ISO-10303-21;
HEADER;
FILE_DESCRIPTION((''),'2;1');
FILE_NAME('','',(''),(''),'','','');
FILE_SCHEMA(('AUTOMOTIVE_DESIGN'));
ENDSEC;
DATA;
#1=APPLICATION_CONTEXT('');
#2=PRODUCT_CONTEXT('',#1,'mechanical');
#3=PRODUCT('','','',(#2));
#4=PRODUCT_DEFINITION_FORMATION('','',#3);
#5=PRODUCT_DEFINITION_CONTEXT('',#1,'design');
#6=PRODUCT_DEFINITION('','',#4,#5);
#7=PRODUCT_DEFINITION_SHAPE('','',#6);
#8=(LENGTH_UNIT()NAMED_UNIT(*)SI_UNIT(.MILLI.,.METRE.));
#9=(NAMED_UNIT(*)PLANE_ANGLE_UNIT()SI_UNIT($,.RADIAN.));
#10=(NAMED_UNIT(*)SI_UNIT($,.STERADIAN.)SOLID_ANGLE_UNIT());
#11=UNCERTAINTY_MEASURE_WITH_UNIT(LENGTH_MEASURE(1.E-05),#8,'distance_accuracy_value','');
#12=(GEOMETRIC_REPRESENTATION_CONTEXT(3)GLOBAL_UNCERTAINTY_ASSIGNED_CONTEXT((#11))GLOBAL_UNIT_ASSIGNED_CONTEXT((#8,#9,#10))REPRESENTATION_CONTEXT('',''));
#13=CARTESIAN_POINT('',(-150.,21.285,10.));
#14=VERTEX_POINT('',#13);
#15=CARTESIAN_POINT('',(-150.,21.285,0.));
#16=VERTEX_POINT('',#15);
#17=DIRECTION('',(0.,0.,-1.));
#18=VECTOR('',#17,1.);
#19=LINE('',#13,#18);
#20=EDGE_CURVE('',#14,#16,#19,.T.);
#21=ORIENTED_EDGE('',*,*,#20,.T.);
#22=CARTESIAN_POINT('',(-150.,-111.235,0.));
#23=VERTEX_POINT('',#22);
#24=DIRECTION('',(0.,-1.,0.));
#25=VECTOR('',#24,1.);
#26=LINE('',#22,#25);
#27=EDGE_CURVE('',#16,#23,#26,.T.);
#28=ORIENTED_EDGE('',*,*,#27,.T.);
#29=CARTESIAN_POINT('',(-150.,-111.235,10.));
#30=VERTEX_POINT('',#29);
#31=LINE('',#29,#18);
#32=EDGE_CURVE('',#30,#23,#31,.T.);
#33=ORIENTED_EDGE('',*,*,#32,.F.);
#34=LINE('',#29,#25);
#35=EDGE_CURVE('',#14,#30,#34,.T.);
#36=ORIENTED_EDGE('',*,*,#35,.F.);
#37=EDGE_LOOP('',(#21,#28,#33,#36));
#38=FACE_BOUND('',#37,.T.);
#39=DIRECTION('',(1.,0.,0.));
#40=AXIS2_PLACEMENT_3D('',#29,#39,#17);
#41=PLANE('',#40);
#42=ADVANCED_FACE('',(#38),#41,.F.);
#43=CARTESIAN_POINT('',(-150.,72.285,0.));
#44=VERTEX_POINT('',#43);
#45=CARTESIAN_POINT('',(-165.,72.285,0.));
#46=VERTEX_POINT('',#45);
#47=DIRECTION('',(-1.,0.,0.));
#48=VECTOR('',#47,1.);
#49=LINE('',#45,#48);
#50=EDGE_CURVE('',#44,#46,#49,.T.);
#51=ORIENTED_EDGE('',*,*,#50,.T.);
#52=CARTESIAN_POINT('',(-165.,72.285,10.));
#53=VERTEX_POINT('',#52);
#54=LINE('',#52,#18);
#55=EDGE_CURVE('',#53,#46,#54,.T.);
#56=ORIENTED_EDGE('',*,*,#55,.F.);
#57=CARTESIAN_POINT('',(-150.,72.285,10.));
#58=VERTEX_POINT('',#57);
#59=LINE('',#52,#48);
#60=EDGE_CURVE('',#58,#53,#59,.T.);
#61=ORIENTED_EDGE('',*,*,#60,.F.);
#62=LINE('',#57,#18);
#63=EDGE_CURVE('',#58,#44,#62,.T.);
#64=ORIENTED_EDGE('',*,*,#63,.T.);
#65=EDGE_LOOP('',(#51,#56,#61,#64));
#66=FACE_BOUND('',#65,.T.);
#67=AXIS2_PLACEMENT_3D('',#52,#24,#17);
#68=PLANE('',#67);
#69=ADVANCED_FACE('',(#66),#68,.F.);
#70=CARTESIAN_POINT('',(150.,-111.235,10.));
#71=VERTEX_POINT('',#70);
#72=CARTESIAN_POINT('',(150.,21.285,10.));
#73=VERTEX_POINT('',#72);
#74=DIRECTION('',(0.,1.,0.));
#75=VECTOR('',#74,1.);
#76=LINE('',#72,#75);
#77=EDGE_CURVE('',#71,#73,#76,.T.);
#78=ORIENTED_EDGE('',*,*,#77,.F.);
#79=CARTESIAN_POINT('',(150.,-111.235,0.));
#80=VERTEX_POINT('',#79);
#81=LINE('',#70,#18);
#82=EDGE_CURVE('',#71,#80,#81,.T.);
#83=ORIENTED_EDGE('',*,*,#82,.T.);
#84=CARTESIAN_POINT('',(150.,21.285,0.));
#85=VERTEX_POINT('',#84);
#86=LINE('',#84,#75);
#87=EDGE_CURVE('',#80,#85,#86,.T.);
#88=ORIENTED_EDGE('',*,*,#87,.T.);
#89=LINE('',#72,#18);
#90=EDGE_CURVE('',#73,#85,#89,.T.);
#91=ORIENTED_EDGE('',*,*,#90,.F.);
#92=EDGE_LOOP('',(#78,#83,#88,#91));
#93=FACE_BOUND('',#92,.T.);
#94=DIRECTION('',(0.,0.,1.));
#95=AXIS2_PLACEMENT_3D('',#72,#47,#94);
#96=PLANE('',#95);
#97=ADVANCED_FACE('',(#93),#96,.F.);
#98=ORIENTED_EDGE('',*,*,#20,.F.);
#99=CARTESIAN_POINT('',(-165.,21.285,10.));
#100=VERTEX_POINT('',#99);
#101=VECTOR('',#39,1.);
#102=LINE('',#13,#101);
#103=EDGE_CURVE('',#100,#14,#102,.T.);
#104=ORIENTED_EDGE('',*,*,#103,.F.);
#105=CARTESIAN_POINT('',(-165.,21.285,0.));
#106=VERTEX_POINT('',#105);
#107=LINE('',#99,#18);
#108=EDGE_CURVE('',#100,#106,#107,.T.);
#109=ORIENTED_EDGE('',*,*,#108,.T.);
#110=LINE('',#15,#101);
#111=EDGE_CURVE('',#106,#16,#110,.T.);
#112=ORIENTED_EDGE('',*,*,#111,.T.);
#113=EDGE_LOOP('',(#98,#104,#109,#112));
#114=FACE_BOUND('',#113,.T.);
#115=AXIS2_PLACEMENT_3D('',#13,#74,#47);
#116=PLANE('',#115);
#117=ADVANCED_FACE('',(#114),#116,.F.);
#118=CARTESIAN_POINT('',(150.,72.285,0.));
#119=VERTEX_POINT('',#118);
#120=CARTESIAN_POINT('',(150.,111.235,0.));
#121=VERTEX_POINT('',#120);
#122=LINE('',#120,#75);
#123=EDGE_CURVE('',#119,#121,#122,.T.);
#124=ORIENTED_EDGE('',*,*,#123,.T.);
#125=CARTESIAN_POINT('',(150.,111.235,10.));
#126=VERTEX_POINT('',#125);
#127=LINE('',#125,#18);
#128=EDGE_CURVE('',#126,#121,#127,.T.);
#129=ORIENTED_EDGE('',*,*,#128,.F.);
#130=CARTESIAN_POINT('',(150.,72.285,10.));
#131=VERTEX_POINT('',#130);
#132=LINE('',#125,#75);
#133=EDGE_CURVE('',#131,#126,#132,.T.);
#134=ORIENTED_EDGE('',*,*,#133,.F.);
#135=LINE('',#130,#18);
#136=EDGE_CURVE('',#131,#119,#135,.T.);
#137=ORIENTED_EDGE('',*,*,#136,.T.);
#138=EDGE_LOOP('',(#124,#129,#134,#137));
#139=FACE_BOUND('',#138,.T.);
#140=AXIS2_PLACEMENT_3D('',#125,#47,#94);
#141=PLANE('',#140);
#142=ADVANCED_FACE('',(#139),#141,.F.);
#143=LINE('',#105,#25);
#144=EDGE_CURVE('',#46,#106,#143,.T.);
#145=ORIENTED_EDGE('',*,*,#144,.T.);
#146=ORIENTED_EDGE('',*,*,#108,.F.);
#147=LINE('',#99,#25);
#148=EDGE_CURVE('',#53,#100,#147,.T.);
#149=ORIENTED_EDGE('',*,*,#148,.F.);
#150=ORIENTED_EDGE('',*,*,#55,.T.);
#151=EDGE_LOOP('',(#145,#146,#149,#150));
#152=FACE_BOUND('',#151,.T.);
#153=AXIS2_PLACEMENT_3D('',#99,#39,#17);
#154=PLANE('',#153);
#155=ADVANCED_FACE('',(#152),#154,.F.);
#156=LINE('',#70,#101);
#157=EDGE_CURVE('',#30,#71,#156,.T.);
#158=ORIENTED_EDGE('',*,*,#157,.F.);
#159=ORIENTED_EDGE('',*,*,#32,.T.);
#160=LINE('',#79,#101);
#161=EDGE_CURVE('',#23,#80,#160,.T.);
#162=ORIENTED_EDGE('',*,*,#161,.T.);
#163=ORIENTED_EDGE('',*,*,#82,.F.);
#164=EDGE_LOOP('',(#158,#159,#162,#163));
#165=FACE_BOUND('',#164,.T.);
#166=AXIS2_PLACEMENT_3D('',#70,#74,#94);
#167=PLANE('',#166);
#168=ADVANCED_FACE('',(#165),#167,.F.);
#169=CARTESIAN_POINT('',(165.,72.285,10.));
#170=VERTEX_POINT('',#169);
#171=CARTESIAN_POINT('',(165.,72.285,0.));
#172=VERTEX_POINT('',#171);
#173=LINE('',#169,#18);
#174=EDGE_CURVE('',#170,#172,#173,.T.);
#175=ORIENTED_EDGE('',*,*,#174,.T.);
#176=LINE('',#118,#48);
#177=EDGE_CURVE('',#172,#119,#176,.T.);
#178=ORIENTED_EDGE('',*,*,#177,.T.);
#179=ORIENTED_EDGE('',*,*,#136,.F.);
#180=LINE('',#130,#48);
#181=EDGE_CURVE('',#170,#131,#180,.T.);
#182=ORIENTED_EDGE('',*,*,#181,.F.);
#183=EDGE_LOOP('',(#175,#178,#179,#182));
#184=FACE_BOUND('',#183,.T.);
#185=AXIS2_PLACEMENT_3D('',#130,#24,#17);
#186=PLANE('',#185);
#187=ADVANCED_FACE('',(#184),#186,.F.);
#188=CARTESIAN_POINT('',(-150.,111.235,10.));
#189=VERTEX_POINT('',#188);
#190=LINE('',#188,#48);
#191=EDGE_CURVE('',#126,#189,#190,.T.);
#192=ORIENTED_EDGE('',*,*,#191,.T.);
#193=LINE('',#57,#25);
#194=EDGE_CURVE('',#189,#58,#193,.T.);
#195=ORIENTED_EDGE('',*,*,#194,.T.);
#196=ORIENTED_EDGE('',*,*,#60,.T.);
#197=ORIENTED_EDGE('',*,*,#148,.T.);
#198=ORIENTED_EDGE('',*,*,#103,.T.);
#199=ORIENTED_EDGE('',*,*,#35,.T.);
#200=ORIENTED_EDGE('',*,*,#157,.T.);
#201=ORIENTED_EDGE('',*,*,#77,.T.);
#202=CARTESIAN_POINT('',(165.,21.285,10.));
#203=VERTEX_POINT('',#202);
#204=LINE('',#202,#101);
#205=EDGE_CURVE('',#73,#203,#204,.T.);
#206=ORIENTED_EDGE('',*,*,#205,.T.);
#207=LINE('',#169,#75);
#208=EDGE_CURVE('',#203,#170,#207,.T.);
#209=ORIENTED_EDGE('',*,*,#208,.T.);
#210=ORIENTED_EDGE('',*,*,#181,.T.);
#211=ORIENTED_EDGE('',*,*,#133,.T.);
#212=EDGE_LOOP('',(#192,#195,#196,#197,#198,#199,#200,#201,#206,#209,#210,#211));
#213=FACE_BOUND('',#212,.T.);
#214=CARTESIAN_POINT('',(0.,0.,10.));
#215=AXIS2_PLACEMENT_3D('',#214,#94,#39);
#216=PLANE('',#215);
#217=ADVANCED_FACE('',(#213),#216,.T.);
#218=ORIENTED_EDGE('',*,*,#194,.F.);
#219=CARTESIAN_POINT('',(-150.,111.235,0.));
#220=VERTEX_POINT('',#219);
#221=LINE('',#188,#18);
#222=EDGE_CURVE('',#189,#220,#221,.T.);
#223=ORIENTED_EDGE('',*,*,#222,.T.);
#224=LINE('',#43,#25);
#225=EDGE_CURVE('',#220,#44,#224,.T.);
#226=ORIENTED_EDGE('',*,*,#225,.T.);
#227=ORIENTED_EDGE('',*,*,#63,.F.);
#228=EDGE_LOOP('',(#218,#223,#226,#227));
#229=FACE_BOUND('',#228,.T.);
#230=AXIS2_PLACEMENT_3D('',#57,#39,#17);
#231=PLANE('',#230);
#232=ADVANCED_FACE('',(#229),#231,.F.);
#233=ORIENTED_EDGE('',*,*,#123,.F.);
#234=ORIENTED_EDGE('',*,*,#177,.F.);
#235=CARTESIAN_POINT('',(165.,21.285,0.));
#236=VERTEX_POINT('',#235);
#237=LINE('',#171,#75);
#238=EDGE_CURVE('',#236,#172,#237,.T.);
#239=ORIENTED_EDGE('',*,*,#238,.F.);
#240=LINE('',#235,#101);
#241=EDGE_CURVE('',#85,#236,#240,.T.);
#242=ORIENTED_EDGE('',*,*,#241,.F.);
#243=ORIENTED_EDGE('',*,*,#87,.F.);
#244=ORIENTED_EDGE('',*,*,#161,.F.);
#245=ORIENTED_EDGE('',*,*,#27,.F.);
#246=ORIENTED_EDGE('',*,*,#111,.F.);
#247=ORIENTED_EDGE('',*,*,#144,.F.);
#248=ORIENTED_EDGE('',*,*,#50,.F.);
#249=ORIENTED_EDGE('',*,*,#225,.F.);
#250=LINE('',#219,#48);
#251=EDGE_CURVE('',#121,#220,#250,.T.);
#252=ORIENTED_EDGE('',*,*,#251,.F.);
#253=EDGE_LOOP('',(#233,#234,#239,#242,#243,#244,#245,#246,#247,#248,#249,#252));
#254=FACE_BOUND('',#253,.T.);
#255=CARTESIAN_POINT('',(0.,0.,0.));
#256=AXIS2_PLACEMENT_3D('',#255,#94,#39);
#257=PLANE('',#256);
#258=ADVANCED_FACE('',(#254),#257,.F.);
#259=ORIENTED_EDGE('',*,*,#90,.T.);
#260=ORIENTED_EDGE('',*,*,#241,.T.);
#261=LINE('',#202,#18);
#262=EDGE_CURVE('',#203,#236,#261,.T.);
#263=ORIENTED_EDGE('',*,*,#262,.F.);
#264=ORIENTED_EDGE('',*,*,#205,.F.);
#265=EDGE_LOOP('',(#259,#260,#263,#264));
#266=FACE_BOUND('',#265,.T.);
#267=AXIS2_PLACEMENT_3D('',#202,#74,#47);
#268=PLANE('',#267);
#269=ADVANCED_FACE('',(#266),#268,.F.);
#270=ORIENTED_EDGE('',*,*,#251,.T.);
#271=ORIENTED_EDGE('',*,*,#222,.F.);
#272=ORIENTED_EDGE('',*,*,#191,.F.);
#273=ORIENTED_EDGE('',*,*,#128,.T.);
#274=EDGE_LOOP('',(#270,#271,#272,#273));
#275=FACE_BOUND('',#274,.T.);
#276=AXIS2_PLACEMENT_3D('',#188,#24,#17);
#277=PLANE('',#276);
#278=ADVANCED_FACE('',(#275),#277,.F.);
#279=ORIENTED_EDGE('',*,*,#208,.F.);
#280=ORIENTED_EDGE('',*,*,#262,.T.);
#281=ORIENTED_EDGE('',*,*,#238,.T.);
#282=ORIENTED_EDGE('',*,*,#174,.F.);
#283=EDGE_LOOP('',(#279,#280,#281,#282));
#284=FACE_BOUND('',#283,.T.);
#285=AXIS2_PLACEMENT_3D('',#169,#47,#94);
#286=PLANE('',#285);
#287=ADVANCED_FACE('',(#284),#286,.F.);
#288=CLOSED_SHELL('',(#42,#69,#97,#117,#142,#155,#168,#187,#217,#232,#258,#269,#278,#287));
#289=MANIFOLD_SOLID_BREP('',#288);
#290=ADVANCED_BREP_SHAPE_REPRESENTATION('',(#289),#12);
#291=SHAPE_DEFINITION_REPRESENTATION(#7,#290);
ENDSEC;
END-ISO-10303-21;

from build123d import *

# Parameters (mm, degrees)
Y_KSEKLIK_EKSTR_ZYON1_DEPTH = 10


with BuildPart() as part:
    # Çizim1 → Yükseklik-Ekstrüzyon1 (new body)
    with BuildSketch(Plane.XY):
        Polygon((-150, -111.235), (-150, 21.285), (-165, 21.285), (-165, 72.285), (-150, 72.285), (-150, 111.235), (150, 111.235), (150, 72.285), (165, 72.285), (165, 21.285), (150, 21.285), (150, -111.235), align=None)
    extrude(amount=Y_KSEKLIK_EKSTR_ZYON1_DEPTH)


solid = part.part
